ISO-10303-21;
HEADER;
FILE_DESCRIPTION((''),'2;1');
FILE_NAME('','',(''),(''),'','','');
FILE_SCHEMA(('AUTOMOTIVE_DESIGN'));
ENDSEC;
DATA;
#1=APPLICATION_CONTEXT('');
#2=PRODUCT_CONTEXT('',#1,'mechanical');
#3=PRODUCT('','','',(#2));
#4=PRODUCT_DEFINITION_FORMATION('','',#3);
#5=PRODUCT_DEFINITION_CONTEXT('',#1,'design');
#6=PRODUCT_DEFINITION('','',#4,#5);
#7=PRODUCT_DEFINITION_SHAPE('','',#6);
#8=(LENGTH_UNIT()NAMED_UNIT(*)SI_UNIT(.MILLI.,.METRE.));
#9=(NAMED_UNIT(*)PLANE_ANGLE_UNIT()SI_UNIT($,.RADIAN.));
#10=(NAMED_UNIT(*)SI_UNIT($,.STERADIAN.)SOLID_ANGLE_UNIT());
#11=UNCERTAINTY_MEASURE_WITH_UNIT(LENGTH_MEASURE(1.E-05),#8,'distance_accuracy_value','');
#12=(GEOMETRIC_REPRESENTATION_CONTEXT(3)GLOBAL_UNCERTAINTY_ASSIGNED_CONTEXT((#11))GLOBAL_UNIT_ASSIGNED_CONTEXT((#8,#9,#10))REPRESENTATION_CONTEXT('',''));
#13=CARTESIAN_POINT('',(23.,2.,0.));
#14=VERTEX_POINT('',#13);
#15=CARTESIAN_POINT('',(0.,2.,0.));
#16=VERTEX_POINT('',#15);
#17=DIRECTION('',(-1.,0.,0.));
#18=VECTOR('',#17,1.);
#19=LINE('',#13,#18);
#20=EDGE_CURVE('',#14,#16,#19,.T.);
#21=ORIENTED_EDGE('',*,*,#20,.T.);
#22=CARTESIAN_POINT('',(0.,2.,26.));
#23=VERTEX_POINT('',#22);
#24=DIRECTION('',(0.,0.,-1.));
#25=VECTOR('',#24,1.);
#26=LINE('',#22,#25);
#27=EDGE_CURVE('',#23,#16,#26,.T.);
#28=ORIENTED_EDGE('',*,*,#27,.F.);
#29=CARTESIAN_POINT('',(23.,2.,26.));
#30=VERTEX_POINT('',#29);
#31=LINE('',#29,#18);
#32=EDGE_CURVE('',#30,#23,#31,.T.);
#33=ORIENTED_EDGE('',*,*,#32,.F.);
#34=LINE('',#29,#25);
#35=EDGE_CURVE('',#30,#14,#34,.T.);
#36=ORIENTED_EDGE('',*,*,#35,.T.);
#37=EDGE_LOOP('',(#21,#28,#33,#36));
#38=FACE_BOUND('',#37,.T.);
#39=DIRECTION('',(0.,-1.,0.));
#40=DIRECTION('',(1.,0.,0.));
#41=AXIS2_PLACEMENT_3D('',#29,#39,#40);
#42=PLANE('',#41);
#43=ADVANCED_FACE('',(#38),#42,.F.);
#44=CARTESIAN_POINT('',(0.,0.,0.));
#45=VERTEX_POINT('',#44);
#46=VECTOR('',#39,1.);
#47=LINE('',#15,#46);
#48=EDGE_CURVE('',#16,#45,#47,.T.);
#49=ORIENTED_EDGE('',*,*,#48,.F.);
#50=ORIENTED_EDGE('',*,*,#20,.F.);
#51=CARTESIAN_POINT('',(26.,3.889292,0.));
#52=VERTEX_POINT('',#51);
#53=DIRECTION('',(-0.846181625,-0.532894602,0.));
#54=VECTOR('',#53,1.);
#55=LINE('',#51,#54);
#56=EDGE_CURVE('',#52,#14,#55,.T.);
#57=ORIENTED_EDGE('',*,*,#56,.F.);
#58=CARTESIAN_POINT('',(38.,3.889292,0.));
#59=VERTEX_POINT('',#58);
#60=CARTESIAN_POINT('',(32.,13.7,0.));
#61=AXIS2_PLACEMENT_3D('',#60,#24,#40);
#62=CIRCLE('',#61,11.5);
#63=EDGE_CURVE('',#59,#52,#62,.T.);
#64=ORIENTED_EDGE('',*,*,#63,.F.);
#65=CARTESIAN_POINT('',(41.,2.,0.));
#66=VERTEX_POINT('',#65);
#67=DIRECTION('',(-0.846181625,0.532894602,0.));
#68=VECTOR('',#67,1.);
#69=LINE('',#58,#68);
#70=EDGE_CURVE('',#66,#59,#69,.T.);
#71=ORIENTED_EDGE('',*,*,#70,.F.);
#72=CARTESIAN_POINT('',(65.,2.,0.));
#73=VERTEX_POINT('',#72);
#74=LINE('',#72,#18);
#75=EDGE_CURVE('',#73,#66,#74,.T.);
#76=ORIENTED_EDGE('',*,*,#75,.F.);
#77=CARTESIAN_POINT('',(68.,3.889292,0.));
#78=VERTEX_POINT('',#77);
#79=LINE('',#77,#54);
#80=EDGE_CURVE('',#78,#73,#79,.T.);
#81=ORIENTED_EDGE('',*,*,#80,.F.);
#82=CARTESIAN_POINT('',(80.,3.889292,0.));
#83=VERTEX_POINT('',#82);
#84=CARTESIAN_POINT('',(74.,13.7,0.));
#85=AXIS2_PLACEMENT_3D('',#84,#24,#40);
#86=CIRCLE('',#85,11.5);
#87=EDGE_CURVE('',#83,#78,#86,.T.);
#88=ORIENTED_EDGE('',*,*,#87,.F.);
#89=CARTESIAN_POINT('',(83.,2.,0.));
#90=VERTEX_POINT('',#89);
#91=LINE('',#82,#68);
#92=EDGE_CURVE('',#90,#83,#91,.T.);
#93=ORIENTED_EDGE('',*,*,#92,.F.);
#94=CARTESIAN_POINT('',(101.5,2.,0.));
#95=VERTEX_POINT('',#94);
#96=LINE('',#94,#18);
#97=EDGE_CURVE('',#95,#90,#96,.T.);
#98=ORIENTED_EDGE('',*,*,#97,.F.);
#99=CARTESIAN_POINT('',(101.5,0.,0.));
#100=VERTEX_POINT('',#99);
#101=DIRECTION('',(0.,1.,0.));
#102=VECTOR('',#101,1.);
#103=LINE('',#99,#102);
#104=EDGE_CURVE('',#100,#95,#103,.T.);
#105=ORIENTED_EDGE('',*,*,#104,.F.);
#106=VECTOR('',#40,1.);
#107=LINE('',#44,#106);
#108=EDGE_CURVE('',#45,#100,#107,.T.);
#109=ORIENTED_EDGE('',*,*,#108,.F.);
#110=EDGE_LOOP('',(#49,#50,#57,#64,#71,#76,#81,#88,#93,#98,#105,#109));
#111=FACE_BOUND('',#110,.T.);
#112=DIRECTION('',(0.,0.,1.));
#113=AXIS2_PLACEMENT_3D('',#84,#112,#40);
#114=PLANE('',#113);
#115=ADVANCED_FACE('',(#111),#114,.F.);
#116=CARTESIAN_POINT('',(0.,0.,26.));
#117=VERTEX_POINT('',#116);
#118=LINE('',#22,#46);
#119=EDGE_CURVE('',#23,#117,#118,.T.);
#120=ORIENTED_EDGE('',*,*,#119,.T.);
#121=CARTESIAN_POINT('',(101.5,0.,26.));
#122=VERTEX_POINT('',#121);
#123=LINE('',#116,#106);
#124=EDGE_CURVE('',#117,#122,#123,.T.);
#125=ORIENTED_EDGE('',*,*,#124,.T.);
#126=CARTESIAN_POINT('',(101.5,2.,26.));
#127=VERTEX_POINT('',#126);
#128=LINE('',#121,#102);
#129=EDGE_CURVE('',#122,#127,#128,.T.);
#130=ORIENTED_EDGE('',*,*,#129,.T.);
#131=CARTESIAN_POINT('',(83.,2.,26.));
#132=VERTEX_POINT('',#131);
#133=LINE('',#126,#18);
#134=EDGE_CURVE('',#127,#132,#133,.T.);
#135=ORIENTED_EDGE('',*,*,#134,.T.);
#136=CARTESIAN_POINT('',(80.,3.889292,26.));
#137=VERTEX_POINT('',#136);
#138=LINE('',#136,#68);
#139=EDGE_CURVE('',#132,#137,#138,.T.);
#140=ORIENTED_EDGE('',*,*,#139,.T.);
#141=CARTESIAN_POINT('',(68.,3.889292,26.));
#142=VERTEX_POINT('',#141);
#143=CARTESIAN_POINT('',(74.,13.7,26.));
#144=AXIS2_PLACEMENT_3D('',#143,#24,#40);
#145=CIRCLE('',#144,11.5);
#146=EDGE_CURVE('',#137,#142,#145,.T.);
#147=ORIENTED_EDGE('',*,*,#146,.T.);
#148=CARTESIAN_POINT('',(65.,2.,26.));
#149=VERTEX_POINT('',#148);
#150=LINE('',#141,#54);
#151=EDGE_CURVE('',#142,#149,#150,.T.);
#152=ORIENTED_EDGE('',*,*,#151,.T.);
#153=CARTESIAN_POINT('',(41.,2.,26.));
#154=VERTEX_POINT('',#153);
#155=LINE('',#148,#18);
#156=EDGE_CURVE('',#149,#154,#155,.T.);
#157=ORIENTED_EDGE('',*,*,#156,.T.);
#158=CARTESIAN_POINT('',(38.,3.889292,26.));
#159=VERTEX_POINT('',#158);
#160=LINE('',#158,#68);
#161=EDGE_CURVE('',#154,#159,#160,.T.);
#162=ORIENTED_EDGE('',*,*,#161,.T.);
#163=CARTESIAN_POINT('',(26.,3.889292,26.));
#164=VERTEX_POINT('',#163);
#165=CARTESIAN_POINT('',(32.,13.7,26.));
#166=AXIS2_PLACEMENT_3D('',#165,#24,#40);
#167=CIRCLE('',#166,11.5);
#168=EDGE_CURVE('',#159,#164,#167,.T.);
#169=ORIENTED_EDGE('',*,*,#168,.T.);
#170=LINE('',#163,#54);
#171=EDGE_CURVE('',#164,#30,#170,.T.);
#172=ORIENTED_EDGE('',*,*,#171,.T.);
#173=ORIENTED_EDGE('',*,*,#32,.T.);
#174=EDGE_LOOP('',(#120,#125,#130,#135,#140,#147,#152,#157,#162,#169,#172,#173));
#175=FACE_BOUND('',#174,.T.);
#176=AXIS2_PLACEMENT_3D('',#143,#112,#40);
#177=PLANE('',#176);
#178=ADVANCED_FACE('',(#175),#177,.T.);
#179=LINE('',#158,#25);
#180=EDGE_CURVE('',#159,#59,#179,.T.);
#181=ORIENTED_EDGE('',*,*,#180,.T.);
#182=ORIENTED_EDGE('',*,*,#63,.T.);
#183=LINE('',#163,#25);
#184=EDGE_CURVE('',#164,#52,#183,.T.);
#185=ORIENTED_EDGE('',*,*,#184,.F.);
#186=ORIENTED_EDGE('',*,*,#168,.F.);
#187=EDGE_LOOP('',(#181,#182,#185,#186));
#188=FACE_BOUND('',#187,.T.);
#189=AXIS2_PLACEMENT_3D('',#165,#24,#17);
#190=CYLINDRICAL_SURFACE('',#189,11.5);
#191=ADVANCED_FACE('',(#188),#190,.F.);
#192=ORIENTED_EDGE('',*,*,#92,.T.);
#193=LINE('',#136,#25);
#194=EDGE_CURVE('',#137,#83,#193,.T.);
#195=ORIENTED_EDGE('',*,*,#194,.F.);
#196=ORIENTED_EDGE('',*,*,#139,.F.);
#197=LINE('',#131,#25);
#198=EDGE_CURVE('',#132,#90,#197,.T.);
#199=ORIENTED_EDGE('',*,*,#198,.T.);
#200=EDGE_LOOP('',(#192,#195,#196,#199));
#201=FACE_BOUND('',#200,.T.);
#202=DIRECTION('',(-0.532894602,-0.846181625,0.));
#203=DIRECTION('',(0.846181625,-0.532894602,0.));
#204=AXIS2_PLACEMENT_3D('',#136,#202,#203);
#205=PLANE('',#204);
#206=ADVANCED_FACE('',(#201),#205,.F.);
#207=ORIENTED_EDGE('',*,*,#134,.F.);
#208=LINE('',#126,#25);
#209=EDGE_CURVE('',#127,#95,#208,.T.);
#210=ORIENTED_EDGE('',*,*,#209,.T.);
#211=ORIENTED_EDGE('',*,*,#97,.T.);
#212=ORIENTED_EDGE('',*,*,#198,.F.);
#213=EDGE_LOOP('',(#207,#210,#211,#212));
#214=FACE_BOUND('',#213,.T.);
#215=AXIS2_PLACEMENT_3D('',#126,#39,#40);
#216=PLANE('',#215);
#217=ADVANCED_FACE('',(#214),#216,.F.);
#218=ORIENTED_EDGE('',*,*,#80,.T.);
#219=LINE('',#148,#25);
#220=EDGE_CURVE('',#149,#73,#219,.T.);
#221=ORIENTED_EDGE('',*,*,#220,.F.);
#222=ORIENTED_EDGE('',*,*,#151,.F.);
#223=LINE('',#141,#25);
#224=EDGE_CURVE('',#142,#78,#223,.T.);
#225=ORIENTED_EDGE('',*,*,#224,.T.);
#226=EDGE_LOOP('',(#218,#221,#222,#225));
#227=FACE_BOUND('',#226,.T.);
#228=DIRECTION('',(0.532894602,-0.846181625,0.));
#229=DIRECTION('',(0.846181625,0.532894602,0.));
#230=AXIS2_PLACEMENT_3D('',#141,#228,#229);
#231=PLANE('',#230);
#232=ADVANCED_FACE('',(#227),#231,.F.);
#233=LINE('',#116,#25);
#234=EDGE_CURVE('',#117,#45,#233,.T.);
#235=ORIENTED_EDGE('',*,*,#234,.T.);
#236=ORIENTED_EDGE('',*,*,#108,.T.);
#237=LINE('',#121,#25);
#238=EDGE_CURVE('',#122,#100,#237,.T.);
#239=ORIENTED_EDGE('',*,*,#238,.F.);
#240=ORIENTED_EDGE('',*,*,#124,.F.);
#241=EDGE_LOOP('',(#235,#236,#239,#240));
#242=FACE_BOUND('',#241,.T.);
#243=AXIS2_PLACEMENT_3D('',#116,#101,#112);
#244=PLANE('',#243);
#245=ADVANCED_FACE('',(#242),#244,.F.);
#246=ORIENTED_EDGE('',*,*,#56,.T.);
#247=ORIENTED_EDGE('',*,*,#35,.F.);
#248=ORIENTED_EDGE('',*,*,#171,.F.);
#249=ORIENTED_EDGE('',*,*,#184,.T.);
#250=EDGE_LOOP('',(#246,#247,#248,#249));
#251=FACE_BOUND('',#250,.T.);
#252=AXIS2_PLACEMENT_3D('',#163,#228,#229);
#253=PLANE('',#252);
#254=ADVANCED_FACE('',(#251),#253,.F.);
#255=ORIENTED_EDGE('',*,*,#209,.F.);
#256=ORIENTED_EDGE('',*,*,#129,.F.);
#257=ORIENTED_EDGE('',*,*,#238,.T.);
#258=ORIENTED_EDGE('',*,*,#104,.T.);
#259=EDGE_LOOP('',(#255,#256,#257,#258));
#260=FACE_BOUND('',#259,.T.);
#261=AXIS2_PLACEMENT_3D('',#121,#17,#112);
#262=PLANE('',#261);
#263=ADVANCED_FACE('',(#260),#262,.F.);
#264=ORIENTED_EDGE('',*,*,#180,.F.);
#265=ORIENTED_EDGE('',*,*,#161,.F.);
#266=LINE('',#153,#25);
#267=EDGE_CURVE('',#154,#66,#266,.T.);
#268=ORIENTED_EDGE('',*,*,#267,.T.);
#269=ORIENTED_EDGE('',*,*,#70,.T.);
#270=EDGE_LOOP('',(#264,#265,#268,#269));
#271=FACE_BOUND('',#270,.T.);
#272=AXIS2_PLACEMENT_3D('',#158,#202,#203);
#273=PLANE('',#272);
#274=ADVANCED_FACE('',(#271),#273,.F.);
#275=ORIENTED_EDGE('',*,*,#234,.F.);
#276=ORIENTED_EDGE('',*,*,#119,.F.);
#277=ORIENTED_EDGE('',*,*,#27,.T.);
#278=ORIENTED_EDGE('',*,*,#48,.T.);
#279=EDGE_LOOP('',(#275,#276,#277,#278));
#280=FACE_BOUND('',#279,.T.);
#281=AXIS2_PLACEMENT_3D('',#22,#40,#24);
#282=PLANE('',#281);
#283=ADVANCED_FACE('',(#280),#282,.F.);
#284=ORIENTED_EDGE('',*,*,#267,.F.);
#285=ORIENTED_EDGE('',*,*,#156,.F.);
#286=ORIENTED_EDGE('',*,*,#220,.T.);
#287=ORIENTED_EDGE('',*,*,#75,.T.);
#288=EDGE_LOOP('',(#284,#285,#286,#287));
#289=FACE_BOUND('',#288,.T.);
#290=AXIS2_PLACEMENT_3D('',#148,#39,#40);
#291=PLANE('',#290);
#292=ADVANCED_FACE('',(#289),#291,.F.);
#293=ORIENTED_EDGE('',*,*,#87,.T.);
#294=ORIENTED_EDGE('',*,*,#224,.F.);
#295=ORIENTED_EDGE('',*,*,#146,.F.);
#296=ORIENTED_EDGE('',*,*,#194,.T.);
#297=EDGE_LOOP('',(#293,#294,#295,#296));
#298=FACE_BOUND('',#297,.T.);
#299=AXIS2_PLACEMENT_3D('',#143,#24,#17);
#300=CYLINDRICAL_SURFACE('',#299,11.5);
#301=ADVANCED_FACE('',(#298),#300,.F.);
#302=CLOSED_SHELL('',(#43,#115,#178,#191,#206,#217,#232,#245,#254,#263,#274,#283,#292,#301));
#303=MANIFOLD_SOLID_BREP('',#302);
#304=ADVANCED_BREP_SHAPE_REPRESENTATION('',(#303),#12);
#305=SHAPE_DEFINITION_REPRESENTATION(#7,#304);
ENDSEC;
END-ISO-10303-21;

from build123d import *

# Parameters (mm, degrees)
BOSS_EXTRUDE1_DEPTH = 26


with BuildPart() as part:
    # Sketch1 → Boss-Extrude1 (new body)
    with BuildSketch(Plane.XY):
        with BuildLine():
            Line((0, 0), (101.5, 0))
            Line((101.5, 0), (101.5, 2))
            Line((101.5, 2), (83, 2))
            Line((83, 2), (80, 3.889291565))
            ThreePointArc((80, 3.889291565), (74, 2.2), (68, 3.889291565))
            Line((68, 3.889291565), (65, 2))
            Line((65, 2), (41, 2))
            Line((41, 2), (38, 3.889291565))
            ThreePointArc((38, 3.889291565), (32, 2.2), (26, 3.889291565))
            Line((26, 3.889291565), (23, 2))
            Line((23, 2), (0, 2))
            Line((0, 2), (0, 0))
        make_face()
    extrude(amount=BOSS_EXTRUDE1_DEPTH)


solid = part.part
